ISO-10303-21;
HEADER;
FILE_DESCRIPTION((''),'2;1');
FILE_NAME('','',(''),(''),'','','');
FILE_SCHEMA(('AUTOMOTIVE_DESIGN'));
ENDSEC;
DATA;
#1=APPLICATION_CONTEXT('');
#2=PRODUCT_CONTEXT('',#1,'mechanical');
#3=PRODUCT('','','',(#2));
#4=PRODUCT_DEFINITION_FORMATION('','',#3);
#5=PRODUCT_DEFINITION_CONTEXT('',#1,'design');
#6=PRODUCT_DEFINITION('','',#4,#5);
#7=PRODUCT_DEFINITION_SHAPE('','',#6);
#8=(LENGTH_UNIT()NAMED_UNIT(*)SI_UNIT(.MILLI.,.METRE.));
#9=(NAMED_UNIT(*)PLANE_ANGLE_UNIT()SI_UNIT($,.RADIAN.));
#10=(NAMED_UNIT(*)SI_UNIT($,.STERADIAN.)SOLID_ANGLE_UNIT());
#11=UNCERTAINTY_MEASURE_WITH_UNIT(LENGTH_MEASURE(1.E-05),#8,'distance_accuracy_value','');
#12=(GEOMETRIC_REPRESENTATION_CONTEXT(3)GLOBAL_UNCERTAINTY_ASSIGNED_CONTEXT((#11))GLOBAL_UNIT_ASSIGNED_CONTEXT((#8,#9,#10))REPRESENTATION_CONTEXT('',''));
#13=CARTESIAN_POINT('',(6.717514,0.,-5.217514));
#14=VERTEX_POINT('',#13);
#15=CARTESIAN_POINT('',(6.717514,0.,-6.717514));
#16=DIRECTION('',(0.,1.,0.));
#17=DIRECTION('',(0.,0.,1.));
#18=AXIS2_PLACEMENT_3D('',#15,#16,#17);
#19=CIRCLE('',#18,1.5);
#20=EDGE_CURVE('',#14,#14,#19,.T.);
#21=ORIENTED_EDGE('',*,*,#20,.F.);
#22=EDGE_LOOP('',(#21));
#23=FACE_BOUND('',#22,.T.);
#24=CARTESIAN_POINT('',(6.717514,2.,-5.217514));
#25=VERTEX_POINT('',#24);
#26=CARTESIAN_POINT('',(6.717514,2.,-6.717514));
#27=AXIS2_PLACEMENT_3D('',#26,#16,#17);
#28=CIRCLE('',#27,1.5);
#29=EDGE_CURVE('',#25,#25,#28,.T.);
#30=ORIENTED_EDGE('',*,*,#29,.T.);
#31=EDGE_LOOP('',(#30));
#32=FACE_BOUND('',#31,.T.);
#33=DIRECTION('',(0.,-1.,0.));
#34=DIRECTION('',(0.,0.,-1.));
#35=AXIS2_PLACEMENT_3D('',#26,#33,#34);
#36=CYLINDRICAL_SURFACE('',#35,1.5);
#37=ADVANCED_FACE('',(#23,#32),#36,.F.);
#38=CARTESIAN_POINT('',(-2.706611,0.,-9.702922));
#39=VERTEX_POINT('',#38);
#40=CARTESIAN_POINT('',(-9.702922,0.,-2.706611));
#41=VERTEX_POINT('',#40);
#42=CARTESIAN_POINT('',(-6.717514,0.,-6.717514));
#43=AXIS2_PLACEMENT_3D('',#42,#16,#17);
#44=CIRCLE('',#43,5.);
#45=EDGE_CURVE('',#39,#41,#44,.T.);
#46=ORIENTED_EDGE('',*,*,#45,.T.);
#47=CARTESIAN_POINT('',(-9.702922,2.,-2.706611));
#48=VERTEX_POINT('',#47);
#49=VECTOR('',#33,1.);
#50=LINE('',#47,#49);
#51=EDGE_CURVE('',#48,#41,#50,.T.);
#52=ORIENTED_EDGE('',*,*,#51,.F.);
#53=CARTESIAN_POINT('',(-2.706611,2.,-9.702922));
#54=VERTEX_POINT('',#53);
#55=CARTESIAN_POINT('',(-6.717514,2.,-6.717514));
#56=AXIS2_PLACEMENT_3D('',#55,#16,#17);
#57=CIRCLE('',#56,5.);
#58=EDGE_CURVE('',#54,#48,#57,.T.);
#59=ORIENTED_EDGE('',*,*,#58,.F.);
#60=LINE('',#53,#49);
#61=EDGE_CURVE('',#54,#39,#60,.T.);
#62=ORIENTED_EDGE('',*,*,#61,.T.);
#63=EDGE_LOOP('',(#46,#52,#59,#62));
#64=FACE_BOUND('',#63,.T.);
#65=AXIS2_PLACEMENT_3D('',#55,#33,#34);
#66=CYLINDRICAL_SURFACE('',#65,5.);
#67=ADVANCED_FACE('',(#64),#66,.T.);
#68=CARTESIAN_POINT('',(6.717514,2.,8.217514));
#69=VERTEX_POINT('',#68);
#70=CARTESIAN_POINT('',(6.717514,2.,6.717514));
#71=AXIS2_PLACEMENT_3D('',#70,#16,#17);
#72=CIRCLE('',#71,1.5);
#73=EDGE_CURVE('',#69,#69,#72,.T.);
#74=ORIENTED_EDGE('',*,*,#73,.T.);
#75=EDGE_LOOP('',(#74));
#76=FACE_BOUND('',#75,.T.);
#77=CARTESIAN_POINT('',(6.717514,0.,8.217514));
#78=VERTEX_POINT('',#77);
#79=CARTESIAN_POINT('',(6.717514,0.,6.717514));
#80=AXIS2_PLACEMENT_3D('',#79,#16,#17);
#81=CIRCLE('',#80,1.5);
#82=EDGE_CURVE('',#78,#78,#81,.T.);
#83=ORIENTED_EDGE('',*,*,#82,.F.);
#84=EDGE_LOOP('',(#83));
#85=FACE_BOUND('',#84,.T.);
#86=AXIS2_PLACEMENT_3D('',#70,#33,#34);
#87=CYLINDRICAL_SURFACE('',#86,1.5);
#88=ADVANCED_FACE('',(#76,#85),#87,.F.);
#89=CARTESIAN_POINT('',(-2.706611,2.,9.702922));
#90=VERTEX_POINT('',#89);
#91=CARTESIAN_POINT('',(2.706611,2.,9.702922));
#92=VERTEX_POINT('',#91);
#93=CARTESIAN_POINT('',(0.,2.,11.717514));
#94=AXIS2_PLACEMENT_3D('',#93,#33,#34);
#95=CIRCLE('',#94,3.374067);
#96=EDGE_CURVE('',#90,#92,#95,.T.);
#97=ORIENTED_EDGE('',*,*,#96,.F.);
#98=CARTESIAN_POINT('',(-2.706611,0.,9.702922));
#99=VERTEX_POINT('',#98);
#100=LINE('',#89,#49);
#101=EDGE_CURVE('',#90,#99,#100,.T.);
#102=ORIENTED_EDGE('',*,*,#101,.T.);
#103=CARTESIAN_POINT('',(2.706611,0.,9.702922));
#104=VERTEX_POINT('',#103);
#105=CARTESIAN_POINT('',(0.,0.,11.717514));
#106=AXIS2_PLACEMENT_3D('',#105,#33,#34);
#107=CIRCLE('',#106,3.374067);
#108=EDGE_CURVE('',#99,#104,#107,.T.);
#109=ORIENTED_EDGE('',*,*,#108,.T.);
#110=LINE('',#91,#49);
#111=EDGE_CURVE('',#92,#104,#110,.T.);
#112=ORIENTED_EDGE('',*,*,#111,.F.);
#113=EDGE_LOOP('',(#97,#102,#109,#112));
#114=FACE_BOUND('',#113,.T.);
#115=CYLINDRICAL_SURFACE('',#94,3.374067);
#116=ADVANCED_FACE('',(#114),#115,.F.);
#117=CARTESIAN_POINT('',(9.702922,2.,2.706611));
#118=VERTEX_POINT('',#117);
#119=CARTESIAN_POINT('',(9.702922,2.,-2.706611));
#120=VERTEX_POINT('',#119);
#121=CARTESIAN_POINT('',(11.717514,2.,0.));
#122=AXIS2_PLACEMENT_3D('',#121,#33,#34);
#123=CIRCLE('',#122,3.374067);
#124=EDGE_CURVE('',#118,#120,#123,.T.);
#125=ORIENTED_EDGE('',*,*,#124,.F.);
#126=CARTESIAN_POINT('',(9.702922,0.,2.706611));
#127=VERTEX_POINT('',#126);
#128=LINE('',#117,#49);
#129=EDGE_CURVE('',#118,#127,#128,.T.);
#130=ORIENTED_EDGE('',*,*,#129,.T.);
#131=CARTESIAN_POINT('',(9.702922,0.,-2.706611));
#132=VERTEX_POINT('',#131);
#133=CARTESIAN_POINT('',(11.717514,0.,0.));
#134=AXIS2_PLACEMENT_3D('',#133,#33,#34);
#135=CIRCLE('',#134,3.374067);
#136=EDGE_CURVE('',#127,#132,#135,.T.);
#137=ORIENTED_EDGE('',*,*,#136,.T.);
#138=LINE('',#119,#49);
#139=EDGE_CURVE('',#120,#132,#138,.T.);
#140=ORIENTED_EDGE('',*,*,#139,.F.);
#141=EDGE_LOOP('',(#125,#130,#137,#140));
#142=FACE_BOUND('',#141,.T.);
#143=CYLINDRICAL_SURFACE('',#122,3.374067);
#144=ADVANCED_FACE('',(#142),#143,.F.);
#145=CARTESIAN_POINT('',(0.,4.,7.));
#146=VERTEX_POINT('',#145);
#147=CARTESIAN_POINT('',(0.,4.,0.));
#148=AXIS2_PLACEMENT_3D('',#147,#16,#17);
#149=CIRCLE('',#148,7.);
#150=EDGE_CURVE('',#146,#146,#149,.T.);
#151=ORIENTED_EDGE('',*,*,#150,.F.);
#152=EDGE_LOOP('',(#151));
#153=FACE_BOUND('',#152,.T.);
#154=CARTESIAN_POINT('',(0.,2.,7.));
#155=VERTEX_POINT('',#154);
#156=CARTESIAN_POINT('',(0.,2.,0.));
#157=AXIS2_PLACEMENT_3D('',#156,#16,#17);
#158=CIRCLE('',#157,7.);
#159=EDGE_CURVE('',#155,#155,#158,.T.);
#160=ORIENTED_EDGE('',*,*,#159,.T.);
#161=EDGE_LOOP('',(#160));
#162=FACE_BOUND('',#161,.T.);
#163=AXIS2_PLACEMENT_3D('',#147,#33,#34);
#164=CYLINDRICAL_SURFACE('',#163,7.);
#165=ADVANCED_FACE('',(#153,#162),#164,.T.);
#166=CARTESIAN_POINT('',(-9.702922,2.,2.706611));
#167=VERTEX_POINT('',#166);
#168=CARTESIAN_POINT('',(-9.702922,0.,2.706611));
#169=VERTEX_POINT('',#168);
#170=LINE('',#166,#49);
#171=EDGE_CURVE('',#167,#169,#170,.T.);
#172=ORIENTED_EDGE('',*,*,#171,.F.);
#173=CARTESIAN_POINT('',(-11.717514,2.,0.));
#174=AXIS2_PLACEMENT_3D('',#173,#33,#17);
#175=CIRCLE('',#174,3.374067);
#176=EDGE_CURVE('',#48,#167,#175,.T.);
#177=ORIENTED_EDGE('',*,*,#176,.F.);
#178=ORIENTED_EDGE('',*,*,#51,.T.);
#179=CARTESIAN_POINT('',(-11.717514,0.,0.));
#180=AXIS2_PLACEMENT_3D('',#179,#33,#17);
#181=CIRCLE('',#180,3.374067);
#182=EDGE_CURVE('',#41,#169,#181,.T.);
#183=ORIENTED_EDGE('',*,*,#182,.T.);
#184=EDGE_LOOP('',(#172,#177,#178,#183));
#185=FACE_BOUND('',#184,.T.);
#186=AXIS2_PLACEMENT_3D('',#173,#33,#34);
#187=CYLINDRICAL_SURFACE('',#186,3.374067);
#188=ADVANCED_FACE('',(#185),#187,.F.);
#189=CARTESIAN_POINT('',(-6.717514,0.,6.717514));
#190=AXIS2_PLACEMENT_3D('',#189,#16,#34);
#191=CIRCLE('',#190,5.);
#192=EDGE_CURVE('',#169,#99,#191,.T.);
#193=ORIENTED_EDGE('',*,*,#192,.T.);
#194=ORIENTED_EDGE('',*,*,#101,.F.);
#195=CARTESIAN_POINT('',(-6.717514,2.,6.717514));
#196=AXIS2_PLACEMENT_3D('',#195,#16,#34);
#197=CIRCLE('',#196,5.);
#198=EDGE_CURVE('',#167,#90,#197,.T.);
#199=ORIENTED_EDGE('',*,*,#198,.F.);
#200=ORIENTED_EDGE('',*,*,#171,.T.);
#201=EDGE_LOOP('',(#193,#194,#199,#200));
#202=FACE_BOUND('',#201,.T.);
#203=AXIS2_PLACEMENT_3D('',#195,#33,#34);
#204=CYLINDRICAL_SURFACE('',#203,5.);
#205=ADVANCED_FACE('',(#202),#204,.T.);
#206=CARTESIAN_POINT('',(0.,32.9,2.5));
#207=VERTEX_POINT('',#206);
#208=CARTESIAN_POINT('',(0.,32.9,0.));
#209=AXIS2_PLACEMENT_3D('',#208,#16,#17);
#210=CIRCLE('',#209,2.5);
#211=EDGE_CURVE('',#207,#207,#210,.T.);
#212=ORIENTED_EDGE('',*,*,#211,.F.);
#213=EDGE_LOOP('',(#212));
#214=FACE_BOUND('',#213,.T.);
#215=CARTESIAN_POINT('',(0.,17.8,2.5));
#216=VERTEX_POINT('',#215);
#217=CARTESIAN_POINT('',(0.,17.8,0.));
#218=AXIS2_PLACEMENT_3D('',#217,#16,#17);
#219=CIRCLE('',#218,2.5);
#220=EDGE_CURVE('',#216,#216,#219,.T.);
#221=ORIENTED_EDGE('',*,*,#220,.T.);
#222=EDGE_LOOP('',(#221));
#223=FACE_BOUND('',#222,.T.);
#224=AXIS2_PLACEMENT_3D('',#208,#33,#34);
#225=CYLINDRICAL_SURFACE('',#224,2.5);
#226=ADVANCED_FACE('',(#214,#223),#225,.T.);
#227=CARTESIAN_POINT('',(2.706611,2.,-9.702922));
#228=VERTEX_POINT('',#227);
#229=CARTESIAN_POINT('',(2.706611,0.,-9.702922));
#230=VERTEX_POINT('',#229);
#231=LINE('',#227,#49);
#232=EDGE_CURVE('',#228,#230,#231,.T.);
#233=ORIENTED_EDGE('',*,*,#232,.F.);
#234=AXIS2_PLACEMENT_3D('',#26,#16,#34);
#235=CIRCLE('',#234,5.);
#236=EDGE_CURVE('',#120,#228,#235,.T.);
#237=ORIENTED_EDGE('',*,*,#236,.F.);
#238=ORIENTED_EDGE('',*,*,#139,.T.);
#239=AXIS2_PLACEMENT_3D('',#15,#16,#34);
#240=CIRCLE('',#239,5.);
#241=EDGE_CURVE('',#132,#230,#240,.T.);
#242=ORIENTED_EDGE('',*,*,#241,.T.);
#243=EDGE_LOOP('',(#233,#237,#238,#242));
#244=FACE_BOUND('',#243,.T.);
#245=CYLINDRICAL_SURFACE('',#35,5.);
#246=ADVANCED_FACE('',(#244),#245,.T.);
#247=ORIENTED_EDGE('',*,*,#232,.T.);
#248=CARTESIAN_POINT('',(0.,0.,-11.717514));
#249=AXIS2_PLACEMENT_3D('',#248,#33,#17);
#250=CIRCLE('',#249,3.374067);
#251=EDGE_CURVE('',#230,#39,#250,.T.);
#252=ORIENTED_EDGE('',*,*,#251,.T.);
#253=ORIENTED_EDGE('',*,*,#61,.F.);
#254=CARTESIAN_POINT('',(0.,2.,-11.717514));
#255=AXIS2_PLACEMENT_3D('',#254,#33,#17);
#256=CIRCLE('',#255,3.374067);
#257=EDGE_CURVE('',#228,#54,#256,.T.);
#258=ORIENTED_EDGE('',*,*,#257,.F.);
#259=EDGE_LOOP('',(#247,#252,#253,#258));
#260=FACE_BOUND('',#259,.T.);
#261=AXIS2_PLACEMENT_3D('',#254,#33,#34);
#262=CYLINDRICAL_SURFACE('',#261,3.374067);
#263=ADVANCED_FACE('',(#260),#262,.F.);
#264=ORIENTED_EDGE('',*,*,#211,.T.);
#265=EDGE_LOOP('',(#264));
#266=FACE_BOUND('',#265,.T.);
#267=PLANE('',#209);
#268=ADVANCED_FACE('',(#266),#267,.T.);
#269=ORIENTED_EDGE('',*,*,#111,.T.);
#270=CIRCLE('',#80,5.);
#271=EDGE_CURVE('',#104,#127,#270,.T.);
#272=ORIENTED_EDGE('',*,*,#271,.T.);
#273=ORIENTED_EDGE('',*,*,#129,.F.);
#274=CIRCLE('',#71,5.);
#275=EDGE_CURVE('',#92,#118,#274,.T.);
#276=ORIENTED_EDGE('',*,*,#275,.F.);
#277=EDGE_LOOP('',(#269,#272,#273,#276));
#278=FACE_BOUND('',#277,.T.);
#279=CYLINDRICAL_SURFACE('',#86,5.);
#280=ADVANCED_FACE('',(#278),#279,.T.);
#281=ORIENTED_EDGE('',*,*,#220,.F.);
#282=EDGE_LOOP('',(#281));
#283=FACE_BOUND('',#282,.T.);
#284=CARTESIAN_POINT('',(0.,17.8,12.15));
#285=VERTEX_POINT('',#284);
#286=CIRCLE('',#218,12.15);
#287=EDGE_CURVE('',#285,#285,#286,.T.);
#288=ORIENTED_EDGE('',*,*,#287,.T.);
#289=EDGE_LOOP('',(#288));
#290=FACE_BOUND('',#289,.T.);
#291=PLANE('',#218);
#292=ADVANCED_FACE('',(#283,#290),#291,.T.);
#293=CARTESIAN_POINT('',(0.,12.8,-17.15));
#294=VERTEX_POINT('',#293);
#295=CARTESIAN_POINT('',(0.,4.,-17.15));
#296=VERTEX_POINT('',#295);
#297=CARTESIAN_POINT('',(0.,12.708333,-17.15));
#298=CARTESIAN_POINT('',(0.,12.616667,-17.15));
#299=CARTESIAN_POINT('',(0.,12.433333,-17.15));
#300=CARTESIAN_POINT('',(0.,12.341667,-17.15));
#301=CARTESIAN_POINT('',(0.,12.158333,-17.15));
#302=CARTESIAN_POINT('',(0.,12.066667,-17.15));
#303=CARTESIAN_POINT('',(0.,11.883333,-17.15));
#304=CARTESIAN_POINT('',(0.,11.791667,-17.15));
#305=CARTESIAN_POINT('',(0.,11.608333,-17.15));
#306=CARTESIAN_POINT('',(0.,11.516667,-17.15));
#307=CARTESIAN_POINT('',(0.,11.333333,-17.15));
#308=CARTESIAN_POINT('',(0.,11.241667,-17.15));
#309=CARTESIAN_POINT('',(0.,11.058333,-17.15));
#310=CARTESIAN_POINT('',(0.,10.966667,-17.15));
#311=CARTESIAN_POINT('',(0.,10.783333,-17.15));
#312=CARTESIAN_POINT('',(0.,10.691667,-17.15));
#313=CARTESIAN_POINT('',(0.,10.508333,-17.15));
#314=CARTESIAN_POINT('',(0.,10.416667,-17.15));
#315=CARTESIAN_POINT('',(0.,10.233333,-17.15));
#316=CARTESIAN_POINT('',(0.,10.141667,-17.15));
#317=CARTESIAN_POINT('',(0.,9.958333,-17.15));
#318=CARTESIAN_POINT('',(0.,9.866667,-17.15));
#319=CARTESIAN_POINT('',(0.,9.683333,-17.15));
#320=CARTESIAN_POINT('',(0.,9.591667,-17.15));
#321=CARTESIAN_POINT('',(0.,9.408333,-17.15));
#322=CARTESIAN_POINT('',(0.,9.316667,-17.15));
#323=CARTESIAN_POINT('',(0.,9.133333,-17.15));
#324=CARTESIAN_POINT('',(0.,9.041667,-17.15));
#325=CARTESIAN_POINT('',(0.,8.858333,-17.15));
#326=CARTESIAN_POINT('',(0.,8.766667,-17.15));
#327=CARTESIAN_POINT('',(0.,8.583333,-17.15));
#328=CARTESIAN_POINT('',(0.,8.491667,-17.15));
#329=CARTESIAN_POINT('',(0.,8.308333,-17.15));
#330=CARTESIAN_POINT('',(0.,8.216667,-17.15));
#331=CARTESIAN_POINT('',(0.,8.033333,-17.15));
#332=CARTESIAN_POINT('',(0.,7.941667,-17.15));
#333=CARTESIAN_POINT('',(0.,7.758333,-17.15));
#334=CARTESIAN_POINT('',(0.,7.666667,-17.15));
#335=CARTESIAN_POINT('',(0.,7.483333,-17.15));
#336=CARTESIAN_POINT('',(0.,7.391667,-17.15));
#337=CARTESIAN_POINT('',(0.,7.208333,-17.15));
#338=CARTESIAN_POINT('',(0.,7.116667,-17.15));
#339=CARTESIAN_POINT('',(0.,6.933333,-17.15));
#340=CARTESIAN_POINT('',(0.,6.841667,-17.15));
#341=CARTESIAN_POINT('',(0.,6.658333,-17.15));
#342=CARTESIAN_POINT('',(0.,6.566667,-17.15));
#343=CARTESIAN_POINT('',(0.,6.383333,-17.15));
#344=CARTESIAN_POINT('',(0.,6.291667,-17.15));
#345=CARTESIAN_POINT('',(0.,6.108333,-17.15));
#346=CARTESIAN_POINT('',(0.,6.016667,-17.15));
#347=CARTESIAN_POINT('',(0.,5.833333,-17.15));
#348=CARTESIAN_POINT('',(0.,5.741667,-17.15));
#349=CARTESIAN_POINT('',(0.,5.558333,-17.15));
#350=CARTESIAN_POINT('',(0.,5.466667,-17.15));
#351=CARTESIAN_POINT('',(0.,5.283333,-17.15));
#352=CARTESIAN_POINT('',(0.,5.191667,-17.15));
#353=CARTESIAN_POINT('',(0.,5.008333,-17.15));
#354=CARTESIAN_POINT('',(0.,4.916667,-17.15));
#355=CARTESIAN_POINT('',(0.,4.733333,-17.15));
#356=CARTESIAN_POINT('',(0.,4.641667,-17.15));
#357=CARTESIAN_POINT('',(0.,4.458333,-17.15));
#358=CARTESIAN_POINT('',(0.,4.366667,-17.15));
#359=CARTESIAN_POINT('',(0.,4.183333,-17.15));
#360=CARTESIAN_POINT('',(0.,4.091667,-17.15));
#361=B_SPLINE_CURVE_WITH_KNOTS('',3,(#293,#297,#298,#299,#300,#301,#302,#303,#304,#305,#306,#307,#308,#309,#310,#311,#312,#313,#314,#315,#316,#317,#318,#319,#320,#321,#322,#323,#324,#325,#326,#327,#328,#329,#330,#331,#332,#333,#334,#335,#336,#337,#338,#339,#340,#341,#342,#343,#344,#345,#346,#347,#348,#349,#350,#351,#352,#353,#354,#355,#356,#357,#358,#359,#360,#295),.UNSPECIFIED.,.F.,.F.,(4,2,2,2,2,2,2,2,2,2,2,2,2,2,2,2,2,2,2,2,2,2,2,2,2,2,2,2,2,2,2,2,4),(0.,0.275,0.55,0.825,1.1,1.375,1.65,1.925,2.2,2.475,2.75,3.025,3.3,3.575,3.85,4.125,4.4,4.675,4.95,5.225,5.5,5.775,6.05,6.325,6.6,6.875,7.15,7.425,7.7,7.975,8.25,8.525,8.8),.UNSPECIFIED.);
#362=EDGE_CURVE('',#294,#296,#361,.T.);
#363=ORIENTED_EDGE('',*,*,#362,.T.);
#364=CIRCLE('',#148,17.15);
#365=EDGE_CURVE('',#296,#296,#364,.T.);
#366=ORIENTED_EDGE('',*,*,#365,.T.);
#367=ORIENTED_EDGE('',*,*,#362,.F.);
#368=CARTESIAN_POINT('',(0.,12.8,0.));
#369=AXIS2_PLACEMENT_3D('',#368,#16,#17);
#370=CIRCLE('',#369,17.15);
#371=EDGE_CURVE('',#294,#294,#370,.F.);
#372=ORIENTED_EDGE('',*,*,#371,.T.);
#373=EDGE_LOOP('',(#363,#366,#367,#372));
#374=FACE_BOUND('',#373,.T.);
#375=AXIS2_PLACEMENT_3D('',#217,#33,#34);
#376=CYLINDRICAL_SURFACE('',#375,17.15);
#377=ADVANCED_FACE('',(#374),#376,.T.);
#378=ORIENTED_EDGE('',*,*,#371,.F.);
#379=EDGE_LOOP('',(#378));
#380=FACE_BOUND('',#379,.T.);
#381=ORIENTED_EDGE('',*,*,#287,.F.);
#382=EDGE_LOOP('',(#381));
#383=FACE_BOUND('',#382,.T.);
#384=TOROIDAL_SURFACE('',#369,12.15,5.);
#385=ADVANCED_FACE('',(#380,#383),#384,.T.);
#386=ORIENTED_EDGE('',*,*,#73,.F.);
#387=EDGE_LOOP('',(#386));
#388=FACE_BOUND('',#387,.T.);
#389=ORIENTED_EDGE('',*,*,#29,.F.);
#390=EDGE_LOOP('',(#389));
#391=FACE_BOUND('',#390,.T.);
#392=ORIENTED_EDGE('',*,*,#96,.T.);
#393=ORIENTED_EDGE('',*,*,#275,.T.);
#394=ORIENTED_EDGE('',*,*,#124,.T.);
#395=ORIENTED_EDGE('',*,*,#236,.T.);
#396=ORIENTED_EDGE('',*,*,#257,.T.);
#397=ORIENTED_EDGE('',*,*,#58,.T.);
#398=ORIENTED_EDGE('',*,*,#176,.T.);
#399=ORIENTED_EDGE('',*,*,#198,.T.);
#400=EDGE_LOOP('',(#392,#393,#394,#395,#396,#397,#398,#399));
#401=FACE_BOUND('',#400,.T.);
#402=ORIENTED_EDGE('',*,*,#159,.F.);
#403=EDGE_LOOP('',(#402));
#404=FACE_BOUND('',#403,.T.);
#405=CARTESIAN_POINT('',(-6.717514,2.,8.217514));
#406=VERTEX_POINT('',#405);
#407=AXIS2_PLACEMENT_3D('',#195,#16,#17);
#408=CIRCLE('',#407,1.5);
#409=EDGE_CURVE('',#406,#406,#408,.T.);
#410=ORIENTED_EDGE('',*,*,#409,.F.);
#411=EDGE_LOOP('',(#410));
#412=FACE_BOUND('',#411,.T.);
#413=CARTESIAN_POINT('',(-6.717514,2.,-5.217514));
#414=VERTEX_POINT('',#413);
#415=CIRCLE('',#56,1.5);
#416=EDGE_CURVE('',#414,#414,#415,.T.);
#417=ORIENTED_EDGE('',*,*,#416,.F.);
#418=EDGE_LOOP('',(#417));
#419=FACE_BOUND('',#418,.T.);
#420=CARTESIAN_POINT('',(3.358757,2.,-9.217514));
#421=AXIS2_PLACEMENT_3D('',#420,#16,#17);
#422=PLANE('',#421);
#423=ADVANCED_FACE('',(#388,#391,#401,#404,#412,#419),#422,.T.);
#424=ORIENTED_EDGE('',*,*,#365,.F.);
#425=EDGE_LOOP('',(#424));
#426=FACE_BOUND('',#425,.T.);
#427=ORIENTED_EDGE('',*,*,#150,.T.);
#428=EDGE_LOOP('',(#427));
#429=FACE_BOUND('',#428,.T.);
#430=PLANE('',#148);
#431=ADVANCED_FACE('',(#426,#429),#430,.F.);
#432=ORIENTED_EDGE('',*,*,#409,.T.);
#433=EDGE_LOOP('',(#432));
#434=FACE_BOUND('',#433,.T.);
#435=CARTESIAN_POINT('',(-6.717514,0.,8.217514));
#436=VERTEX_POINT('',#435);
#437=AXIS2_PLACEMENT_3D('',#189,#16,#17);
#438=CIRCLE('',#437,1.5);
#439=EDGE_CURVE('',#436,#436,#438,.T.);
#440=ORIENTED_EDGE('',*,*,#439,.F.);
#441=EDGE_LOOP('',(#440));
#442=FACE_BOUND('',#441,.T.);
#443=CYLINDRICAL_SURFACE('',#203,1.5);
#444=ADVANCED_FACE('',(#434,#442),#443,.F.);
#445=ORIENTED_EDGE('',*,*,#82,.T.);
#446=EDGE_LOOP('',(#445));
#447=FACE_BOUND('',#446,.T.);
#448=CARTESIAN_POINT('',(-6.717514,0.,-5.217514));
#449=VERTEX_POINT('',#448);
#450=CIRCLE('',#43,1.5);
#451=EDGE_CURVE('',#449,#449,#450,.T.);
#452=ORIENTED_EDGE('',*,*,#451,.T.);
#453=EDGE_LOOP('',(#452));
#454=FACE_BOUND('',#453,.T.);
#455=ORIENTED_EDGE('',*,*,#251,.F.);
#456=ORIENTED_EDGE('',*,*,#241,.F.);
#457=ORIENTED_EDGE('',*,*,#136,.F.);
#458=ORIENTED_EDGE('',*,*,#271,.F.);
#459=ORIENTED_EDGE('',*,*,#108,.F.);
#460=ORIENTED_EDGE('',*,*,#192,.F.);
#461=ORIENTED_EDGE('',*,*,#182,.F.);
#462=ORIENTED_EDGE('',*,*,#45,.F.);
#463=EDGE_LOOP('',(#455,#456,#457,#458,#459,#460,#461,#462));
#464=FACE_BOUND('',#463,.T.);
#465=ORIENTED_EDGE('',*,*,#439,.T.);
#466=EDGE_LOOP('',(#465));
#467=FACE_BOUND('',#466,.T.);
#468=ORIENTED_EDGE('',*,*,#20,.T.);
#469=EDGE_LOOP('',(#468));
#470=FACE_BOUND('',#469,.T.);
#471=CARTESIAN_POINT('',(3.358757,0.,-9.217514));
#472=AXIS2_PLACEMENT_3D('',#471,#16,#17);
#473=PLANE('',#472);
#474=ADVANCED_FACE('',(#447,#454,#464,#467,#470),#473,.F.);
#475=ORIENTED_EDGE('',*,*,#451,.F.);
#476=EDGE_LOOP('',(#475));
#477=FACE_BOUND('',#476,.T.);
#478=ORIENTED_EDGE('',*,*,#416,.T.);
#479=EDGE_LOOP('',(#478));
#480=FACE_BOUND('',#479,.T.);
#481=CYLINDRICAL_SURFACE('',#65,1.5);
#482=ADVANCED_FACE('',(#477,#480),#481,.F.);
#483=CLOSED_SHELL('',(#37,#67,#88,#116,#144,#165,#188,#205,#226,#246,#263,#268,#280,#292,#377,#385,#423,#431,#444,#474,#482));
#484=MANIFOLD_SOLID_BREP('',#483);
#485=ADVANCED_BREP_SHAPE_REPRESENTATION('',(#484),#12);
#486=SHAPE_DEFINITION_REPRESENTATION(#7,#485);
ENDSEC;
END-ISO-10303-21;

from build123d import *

# Parameters (mm, degrees)
SKETCH_1_R      = 1.5
EXTRUDE_1_DEPTH = 2
SKETCH_2_R      = 7
EXTRUDE_2_DEPTH = 2
SKETCH_3_R      = 17.15
EXTRUDE_3_DEPTH = 13.8
FILLET_1_R      = 5
SKETCH_4_R      = 2.5
EXTRUDE_4_DEPTH = 15.1


with BuildPart() as part:
    # 草图1 → 凸台-拉伸1 (new body)
    with BuildSketch(Plane(origin=(0, 0, 0), x_dir=(1, 0, 0), z_dir=(0, 1, 0))):
        with BuildLine():
            ThreePointArc((-2.706611278, 9.702921591), (-10.253048327, 10.253048327), (-9.702921591, 2.706611278))
            ThreePointArc((-9.702921591, 2.706611278), (-8.343447309, 0), (-9.702921591, -2.706611278))
            ThreePointArc((-9.702921591, -2.706611278), (-10.253048327, -10.253048327), (-2.706611278, -9.702921591))
            ThreePointArc((-2.706611278, -9.702921591), (0, -8.343447309), (2.706611278, -9.702921591))
            ThreePointArc((2.706611278, -9.702921591), (10.253048327, -10.253048327), (9.702921591, -2.706611278))
            ThreePointArc((9.702921591, -2.706611278), (8.343447309, 0), (9.702921591, 2.706611278))
            ThreePointArc((9.702921591, 2.706611278), (10.253048327, 10.253048327), (2.706611278, 9.702921591))
            ThreePointArc((2.706611278, 9.702921591), (0, 8.343447309), (-2.706611278, 9.702921591))
        make_face()
        with Locations(Location((-6.717514421, 6.717514421, 0), (0, 0, 270))):
            Circle(SKETCH_1_R, mode=Mode.SUBTRACT)
        with Locations(Location((6.717514421, 6.717514421, 0), (0, 0, 270))):
            Circle(SKETCH_1_R, mode=Mode.SUBTRACT)
        with Locations(Location((6.717514421, -6.717514421, 0), (0, 0, 270))):
            Circle(SKETCH_1_R, mode=Mode.SUBTRACT)
        with Locations(Location((-6.717514421, -6.717514421, 0), (0, 0, 270))):
            Circle(SKETCH_1_R, mode=Mode.SUBTRACT)
    extrude(amount=EXTRUDE_1_DEPTH)

    # 草图2 → 凸台-拉伸2 (add)
    with BuildSketch(Plane(origin=(0, 2, 0), x_dir=(1, 0, 0), z_dir=(0, 1, 0))):
        with Locations(Location((0, 0, 0), (0, 0, 270))):
            Circle(SKETCH_2_R)
    extrude(amount=EXTRUDE_2_DEPTH)

    # 草图3 → 凸台-拉伸3 (add)
    with BuildSketch(Plane(origin=(0, 4, 0), x_dir=(1, 0, 0), z_dir=(0, 1, 0))):
        with Locations(Location((0, 0, 0), (0, 0, 90))):
            Circle(SKETCH_3_R)
    extrude(amount=EXTRUDE_3_DEPTH)

    # 圆角1
    fillet_1_edges = [part.edges().sort_by_distance(p)[0] for p in [
        (0, 17.8, 17.15),
    ]]
    fillet(fillet_1_edges, radius=FILLET_1_R)

    # 草图4 → 凸台-拉伸4 (add)
    with BuildSketch(Plane(origin=(0, 17.8, 0), x_dir=(1, 0, 0), z_dir=(0, 1, 0))):
        with Locations(Location((0, 0, 0), (0, 0, 270))):
            Circle(SKETCH_4_R)
    extrude(amount=EXTRUDE_4_DEPTH)


solid = part.part
